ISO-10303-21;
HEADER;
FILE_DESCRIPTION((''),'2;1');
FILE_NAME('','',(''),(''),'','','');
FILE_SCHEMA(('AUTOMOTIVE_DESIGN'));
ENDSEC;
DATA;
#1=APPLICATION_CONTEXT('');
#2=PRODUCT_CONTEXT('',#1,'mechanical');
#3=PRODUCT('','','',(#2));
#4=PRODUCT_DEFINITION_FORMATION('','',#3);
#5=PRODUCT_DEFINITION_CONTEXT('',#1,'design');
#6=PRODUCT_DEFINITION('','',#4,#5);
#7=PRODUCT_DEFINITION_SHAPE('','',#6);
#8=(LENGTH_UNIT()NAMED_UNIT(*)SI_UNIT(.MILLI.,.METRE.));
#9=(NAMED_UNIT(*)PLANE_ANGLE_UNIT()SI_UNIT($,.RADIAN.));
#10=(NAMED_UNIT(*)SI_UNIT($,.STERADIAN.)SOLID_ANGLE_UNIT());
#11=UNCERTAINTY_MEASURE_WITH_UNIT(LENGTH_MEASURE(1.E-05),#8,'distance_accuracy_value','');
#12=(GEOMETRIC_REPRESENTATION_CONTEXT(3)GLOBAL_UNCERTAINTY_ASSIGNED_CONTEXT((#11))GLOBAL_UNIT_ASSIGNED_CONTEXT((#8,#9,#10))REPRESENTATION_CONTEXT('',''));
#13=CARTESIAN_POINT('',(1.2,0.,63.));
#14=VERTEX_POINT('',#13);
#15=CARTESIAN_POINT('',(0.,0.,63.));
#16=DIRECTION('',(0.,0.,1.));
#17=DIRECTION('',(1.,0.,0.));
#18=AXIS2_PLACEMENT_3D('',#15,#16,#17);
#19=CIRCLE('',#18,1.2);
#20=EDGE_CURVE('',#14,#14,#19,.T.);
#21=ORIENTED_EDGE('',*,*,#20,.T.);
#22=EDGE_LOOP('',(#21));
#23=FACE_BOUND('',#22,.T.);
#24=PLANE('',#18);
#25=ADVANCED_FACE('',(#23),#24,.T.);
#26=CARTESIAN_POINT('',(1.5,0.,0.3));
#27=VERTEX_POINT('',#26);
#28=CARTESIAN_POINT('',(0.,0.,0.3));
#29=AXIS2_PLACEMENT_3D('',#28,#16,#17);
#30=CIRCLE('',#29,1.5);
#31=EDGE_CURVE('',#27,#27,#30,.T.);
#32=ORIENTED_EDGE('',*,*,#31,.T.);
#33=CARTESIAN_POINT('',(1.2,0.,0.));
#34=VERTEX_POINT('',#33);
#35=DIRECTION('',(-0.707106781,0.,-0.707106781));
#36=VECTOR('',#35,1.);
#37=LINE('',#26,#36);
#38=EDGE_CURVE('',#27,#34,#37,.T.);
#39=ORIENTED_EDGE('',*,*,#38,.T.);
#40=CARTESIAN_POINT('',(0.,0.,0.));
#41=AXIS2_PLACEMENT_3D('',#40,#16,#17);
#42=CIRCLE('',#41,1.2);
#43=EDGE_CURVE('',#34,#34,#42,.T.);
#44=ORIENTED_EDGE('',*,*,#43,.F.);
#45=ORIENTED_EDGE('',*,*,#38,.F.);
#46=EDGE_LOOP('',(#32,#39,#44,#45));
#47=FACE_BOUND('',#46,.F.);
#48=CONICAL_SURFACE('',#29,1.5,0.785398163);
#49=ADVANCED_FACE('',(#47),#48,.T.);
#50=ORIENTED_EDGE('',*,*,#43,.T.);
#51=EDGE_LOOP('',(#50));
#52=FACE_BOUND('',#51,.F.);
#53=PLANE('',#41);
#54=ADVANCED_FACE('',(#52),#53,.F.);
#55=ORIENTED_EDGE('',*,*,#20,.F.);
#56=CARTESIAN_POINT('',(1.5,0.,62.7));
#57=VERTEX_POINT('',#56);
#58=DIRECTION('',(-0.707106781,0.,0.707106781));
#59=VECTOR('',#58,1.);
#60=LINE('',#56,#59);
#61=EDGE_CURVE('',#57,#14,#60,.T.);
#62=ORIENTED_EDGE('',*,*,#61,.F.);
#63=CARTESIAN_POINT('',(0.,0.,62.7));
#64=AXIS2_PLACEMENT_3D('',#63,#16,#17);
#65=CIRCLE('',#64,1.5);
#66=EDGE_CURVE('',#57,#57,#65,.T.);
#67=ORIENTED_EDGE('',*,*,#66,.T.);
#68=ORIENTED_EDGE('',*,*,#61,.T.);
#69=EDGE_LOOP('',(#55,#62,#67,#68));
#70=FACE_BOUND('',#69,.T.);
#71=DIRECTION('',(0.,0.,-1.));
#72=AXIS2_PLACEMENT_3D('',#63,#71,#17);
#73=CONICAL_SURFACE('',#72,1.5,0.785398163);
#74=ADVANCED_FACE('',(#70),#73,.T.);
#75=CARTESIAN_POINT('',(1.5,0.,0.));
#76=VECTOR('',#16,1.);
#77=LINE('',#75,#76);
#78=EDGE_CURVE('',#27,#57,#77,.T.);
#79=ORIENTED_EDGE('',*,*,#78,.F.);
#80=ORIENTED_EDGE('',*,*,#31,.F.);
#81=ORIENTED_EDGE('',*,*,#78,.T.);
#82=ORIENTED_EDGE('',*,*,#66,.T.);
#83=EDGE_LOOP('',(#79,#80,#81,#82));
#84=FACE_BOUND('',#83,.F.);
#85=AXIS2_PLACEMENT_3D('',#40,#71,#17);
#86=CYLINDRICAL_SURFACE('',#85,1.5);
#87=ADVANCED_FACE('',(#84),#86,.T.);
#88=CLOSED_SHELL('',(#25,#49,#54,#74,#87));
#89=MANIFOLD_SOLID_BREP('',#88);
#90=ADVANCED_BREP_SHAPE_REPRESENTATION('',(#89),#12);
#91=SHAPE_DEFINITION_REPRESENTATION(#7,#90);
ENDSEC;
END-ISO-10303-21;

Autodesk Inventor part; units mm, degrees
ref_plane "YZ Plane" through (0, 0, 0) normal (1, 0, 0) x (0, 1, 0)
ref_plane "XZ Plane" through (0, 0, 0) normal (0, 1, 0) x (-1, 0, 0)
ref_plane "XY Plane" through (0, 0, 0) normal (0, 0, 1) x (1, 0, 0)
sketch "Skizze1" plane through (0, 0, 0) normal (0, 0, 1) x (1, 0, 0)
  circle A0 centre (0, 0) radius 1.5
  dimension "d0" = 3
extrude "Extrusion1" add sketch "Skizze1" along normal blind 63
thread "Gewinde1" size "M3x0.5" class "6g" standard "ANSI Metric M Profile" full length
chamfer "Fase1" distance 0.3 angle 45 2 edges at (-1.5, 0, 63) (-1.5, 0, 0)
properties part number "Gewindestange M3x63mm" material "Stahl"
